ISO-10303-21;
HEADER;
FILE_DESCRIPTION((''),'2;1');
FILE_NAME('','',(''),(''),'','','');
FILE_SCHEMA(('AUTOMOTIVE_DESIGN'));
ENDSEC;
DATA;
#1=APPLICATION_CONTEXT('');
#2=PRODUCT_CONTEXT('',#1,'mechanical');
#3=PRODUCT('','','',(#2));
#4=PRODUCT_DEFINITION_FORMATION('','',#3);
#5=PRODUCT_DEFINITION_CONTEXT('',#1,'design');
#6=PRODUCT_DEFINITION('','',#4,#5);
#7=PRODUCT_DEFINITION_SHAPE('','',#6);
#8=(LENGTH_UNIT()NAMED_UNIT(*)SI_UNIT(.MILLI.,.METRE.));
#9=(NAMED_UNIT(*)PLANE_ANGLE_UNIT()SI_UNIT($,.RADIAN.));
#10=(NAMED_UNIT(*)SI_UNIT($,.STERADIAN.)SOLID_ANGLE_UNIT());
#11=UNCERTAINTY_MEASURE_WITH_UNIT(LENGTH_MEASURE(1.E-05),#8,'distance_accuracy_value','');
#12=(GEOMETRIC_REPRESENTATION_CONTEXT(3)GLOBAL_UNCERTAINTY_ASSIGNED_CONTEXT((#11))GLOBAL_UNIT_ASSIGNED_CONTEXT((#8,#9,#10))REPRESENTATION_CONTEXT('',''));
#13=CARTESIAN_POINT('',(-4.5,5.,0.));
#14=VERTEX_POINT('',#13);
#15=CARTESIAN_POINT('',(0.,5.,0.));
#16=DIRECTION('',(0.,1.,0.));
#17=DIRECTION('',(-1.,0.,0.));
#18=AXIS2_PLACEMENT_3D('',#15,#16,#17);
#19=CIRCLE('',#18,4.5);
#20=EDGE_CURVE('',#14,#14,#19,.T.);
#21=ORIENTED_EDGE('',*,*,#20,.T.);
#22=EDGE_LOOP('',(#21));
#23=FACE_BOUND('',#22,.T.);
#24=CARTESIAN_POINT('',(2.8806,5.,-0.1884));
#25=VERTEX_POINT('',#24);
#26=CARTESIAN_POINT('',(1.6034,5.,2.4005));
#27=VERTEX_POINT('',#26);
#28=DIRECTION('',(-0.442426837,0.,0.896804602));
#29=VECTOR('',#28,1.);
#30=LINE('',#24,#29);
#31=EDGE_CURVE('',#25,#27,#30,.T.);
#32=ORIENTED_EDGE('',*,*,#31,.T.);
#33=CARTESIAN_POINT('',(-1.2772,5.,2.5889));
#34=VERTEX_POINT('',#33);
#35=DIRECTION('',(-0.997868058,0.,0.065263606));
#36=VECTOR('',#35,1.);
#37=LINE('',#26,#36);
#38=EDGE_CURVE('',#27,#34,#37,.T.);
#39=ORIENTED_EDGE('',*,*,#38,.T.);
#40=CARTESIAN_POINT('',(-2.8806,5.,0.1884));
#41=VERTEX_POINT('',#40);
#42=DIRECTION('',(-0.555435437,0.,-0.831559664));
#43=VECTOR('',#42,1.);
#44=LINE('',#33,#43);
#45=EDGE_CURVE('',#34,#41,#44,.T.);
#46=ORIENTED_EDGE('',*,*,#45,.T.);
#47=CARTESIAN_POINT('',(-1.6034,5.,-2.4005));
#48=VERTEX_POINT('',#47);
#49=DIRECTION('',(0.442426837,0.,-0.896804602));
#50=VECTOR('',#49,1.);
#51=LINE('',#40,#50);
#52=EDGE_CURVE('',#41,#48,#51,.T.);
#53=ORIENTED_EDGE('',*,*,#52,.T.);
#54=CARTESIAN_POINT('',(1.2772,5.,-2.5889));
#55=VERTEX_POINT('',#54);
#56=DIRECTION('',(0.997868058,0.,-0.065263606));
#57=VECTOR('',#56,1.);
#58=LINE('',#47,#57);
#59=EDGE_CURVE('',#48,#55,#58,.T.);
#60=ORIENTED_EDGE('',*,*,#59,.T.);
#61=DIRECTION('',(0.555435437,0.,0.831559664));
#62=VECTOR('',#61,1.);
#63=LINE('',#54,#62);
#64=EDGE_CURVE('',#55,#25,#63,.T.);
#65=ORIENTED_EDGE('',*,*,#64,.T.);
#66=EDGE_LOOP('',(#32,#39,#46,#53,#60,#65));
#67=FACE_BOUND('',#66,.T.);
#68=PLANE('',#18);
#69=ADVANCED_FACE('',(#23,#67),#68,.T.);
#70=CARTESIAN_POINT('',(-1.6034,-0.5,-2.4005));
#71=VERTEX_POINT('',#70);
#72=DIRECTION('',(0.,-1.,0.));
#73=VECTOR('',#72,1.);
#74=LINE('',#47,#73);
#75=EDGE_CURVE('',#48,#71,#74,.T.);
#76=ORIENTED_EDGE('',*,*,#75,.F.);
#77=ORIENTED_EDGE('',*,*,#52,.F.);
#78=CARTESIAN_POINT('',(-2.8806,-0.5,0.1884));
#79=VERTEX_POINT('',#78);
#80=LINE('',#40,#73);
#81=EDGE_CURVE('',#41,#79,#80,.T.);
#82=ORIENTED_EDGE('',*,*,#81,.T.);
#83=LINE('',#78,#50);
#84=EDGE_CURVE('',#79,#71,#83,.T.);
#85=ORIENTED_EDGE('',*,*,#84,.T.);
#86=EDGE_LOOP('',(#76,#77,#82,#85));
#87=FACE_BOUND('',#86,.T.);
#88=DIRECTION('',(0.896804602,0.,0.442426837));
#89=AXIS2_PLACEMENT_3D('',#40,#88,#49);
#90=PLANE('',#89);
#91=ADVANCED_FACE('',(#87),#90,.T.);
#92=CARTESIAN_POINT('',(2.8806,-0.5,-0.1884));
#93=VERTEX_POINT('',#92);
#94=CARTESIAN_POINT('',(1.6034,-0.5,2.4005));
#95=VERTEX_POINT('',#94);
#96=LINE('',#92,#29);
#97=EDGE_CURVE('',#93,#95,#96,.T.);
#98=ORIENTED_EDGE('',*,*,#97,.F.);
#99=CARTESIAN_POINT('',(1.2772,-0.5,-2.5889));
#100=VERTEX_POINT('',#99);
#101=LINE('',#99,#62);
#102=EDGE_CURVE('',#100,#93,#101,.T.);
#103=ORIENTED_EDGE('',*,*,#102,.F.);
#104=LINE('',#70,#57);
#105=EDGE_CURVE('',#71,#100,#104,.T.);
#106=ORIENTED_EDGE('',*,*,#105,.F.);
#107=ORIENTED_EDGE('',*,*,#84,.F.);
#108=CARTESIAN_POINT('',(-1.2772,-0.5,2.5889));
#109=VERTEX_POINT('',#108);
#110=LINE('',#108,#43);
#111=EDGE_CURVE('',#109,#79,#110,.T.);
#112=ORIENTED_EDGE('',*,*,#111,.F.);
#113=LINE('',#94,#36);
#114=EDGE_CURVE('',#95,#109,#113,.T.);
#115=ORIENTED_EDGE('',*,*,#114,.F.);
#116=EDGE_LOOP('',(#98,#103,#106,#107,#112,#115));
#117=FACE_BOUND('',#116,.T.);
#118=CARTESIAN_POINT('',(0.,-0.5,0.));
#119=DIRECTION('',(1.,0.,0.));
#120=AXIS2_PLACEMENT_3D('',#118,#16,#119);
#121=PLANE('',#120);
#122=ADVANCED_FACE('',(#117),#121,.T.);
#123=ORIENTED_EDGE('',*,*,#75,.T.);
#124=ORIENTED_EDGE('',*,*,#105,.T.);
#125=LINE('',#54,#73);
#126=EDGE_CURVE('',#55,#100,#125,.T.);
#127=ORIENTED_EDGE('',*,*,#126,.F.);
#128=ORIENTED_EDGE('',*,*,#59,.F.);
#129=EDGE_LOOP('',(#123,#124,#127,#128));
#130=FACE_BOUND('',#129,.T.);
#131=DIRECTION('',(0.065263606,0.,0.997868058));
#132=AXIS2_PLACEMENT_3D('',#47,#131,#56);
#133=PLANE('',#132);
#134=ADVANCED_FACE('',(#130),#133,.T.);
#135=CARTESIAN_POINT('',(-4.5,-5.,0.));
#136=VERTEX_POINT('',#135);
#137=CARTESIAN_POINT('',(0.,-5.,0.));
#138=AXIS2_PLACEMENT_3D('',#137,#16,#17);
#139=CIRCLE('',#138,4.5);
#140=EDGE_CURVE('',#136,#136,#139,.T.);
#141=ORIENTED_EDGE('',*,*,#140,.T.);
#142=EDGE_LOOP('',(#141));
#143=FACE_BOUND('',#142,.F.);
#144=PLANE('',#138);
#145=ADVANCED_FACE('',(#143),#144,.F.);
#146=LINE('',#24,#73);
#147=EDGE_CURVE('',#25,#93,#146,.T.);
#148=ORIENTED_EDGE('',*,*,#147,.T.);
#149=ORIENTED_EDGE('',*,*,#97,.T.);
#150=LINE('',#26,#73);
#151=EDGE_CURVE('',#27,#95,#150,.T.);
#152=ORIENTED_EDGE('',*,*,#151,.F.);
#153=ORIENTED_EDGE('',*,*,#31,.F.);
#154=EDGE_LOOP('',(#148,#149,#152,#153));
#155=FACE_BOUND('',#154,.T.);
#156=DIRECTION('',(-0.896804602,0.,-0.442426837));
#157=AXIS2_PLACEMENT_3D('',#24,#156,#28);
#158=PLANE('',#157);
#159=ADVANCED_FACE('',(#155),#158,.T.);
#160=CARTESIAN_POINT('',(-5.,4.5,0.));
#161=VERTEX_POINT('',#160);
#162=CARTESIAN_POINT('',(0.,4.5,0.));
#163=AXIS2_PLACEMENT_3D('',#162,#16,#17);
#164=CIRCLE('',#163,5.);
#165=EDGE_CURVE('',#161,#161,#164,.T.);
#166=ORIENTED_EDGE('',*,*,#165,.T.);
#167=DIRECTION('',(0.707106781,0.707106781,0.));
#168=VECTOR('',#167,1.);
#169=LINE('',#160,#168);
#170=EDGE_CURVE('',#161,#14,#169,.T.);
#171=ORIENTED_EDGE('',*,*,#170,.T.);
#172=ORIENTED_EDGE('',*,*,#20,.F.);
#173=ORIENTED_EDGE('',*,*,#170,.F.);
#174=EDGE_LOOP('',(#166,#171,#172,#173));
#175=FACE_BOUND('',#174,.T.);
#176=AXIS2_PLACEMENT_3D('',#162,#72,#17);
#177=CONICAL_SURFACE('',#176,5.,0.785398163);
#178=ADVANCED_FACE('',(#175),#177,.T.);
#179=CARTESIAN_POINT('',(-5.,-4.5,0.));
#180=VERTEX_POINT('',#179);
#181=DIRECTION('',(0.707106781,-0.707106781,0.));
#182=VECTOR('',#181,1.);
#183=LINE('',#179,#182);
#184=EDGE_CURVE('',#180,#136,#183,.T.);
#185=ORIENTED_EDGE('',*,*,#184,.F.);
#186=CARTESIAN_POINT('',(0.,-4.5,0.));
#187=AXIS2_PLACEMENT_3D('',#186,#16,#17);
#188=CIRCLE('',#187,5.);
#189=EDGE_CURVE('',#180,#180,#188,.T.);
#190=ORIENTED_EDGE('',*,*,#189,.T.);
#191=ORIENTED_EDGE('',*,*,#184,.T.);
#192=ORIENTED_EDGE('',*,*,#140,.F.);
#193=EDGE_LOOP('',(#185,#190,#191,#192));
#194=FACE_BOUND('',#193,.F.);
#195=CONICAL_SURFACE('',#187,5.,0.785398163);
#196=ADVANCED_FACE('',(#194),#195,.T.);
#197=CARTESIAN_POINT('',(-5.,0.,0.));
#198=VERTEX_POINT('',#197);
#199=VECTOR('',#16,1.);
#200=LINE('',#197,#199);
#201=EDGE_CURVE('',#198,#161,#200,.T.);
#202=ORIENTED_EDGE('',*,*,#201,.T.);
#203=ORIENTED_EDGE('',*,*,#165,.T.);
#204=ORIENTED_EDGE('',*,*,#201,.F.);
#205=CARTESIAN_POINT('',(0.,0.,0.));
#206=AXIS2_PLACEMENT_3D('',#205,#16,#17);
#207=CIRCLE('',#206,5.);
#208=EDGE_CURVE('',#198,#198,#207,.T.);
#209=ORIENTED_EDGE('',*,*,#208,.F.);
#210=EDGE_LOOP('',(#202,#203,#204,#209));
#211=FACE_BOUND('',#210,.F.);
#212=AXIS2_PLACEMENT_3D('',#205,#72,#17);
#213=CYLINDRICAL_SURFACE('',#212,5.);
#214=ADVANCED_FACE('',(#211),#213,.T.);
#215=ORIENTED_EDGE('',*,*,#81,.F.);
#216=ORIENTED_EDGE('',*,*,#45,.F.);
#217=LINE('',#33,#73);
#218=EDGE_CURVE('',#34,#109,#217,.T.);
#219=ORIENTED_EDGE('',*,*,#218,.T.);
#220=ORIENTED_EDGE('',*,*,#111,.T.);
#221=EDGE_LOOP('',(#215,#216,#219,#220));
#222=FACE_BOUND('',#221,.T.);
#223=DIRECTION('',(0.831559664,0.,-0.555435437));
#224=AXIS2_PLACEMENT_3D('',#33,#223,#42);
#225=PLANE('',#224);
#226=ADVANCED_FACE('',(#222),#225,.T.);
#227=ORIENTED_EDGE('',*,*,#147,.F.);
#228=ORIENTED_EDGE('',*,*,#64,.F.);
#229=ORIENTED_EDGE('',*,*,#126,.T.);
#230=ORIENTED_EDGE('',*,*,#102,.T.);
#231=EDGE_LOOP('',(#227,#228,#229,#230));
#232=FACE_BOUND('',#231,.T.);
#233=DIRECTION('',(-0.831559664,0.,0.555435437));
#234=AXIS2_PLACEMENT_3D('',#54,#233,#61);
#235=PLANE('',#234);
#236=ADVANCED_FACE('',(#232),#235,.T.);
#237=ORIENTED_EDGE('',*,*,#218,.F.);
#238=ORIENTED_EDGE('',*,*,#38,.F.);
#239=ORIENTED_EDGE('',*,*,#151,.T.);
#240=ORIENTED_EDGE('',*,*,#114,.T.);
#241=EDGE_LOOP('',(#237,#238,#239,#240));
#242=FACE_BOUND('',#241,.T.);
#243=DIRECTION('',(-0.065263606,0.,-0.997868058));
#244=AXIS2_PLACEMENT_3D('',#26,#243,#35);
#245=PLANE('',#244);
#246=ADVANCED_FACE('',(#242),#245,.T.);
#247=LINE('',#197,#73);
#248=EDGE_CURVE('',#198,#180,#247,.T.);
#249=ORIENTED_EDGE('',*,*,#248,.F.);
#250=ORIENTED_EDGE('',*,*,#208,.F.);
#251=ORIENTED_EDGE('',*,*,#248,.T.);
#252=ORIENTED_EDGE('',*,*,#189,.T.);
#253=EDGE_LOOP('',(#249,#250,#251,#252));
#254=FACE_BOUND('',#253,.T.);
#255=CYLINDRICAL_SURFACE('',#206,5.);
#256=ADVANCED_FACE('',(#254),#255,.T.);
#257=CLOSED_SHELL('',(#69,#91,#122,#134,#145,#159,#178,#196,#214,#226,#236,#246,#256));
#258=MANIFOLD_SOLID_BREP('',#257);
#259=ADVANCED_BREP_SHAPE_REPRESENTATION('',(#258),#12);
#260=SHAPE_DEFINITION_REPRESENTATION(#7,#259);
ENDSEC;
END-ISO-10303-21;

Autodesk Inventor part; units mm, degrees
ref_plane "YZ Plane" through (0, 0, 0) normal (1, 0, 0) x (0, 1, 0)
ref_plane "XZ Plane" through (0, 0, 0) normal (0, 1, 0) x (-1, 0, 0)
ref_plane "XY Plane" through (0, 0, 0) normal (0, 0, 1) x (1, 0, 0)
sketch "Sketch1" plane through (0, 0, 0) normal (0, 1, 0) x (-1, 0, 0)
  circle A0 centre (0, 0) radius 5
  dimension "d3" = 10
extrude "Extrusion1" add sketch "Sketch1" along normal mid plane 10
sketch "Sketch2" plane through (0, 5, 0) normal (0, 1, 0) x (1, 0, 0)
  line L0 (1.2772, 2.5889) -> (2.8806, 0.1884)
  line L1 (2.8806, 0.1884) -> (1.6034, -2.4005)
  line L2 (1.6034, -2.4005) -> (-1.2772, -2.5889)
  line L3 (-1.2772, -2.5889) -> (-2.8806, -0.1884)
  line L4 (-2.8806, -0.1884) -> (-1.6034, 2.4005)
  line L5 (-1.6034, 2.4005) -> (1.2772, 2.5889)
  point P0 (0, 0)
  point P1 (0, 0)
  dimension "d2" = 5
extrude "Extrusion2" cut sketch "Sketch2" against normal blind 5.5
thread "Thread1" size "M10x1.5" class "6g" standard "ANSI Metric M Profile" length 10
chamfer "Chamfer1" distance 0.5 angle 45 2 edges at (5, 5, 0) (5, -5, 0)
properties part number "M10_HEX"
